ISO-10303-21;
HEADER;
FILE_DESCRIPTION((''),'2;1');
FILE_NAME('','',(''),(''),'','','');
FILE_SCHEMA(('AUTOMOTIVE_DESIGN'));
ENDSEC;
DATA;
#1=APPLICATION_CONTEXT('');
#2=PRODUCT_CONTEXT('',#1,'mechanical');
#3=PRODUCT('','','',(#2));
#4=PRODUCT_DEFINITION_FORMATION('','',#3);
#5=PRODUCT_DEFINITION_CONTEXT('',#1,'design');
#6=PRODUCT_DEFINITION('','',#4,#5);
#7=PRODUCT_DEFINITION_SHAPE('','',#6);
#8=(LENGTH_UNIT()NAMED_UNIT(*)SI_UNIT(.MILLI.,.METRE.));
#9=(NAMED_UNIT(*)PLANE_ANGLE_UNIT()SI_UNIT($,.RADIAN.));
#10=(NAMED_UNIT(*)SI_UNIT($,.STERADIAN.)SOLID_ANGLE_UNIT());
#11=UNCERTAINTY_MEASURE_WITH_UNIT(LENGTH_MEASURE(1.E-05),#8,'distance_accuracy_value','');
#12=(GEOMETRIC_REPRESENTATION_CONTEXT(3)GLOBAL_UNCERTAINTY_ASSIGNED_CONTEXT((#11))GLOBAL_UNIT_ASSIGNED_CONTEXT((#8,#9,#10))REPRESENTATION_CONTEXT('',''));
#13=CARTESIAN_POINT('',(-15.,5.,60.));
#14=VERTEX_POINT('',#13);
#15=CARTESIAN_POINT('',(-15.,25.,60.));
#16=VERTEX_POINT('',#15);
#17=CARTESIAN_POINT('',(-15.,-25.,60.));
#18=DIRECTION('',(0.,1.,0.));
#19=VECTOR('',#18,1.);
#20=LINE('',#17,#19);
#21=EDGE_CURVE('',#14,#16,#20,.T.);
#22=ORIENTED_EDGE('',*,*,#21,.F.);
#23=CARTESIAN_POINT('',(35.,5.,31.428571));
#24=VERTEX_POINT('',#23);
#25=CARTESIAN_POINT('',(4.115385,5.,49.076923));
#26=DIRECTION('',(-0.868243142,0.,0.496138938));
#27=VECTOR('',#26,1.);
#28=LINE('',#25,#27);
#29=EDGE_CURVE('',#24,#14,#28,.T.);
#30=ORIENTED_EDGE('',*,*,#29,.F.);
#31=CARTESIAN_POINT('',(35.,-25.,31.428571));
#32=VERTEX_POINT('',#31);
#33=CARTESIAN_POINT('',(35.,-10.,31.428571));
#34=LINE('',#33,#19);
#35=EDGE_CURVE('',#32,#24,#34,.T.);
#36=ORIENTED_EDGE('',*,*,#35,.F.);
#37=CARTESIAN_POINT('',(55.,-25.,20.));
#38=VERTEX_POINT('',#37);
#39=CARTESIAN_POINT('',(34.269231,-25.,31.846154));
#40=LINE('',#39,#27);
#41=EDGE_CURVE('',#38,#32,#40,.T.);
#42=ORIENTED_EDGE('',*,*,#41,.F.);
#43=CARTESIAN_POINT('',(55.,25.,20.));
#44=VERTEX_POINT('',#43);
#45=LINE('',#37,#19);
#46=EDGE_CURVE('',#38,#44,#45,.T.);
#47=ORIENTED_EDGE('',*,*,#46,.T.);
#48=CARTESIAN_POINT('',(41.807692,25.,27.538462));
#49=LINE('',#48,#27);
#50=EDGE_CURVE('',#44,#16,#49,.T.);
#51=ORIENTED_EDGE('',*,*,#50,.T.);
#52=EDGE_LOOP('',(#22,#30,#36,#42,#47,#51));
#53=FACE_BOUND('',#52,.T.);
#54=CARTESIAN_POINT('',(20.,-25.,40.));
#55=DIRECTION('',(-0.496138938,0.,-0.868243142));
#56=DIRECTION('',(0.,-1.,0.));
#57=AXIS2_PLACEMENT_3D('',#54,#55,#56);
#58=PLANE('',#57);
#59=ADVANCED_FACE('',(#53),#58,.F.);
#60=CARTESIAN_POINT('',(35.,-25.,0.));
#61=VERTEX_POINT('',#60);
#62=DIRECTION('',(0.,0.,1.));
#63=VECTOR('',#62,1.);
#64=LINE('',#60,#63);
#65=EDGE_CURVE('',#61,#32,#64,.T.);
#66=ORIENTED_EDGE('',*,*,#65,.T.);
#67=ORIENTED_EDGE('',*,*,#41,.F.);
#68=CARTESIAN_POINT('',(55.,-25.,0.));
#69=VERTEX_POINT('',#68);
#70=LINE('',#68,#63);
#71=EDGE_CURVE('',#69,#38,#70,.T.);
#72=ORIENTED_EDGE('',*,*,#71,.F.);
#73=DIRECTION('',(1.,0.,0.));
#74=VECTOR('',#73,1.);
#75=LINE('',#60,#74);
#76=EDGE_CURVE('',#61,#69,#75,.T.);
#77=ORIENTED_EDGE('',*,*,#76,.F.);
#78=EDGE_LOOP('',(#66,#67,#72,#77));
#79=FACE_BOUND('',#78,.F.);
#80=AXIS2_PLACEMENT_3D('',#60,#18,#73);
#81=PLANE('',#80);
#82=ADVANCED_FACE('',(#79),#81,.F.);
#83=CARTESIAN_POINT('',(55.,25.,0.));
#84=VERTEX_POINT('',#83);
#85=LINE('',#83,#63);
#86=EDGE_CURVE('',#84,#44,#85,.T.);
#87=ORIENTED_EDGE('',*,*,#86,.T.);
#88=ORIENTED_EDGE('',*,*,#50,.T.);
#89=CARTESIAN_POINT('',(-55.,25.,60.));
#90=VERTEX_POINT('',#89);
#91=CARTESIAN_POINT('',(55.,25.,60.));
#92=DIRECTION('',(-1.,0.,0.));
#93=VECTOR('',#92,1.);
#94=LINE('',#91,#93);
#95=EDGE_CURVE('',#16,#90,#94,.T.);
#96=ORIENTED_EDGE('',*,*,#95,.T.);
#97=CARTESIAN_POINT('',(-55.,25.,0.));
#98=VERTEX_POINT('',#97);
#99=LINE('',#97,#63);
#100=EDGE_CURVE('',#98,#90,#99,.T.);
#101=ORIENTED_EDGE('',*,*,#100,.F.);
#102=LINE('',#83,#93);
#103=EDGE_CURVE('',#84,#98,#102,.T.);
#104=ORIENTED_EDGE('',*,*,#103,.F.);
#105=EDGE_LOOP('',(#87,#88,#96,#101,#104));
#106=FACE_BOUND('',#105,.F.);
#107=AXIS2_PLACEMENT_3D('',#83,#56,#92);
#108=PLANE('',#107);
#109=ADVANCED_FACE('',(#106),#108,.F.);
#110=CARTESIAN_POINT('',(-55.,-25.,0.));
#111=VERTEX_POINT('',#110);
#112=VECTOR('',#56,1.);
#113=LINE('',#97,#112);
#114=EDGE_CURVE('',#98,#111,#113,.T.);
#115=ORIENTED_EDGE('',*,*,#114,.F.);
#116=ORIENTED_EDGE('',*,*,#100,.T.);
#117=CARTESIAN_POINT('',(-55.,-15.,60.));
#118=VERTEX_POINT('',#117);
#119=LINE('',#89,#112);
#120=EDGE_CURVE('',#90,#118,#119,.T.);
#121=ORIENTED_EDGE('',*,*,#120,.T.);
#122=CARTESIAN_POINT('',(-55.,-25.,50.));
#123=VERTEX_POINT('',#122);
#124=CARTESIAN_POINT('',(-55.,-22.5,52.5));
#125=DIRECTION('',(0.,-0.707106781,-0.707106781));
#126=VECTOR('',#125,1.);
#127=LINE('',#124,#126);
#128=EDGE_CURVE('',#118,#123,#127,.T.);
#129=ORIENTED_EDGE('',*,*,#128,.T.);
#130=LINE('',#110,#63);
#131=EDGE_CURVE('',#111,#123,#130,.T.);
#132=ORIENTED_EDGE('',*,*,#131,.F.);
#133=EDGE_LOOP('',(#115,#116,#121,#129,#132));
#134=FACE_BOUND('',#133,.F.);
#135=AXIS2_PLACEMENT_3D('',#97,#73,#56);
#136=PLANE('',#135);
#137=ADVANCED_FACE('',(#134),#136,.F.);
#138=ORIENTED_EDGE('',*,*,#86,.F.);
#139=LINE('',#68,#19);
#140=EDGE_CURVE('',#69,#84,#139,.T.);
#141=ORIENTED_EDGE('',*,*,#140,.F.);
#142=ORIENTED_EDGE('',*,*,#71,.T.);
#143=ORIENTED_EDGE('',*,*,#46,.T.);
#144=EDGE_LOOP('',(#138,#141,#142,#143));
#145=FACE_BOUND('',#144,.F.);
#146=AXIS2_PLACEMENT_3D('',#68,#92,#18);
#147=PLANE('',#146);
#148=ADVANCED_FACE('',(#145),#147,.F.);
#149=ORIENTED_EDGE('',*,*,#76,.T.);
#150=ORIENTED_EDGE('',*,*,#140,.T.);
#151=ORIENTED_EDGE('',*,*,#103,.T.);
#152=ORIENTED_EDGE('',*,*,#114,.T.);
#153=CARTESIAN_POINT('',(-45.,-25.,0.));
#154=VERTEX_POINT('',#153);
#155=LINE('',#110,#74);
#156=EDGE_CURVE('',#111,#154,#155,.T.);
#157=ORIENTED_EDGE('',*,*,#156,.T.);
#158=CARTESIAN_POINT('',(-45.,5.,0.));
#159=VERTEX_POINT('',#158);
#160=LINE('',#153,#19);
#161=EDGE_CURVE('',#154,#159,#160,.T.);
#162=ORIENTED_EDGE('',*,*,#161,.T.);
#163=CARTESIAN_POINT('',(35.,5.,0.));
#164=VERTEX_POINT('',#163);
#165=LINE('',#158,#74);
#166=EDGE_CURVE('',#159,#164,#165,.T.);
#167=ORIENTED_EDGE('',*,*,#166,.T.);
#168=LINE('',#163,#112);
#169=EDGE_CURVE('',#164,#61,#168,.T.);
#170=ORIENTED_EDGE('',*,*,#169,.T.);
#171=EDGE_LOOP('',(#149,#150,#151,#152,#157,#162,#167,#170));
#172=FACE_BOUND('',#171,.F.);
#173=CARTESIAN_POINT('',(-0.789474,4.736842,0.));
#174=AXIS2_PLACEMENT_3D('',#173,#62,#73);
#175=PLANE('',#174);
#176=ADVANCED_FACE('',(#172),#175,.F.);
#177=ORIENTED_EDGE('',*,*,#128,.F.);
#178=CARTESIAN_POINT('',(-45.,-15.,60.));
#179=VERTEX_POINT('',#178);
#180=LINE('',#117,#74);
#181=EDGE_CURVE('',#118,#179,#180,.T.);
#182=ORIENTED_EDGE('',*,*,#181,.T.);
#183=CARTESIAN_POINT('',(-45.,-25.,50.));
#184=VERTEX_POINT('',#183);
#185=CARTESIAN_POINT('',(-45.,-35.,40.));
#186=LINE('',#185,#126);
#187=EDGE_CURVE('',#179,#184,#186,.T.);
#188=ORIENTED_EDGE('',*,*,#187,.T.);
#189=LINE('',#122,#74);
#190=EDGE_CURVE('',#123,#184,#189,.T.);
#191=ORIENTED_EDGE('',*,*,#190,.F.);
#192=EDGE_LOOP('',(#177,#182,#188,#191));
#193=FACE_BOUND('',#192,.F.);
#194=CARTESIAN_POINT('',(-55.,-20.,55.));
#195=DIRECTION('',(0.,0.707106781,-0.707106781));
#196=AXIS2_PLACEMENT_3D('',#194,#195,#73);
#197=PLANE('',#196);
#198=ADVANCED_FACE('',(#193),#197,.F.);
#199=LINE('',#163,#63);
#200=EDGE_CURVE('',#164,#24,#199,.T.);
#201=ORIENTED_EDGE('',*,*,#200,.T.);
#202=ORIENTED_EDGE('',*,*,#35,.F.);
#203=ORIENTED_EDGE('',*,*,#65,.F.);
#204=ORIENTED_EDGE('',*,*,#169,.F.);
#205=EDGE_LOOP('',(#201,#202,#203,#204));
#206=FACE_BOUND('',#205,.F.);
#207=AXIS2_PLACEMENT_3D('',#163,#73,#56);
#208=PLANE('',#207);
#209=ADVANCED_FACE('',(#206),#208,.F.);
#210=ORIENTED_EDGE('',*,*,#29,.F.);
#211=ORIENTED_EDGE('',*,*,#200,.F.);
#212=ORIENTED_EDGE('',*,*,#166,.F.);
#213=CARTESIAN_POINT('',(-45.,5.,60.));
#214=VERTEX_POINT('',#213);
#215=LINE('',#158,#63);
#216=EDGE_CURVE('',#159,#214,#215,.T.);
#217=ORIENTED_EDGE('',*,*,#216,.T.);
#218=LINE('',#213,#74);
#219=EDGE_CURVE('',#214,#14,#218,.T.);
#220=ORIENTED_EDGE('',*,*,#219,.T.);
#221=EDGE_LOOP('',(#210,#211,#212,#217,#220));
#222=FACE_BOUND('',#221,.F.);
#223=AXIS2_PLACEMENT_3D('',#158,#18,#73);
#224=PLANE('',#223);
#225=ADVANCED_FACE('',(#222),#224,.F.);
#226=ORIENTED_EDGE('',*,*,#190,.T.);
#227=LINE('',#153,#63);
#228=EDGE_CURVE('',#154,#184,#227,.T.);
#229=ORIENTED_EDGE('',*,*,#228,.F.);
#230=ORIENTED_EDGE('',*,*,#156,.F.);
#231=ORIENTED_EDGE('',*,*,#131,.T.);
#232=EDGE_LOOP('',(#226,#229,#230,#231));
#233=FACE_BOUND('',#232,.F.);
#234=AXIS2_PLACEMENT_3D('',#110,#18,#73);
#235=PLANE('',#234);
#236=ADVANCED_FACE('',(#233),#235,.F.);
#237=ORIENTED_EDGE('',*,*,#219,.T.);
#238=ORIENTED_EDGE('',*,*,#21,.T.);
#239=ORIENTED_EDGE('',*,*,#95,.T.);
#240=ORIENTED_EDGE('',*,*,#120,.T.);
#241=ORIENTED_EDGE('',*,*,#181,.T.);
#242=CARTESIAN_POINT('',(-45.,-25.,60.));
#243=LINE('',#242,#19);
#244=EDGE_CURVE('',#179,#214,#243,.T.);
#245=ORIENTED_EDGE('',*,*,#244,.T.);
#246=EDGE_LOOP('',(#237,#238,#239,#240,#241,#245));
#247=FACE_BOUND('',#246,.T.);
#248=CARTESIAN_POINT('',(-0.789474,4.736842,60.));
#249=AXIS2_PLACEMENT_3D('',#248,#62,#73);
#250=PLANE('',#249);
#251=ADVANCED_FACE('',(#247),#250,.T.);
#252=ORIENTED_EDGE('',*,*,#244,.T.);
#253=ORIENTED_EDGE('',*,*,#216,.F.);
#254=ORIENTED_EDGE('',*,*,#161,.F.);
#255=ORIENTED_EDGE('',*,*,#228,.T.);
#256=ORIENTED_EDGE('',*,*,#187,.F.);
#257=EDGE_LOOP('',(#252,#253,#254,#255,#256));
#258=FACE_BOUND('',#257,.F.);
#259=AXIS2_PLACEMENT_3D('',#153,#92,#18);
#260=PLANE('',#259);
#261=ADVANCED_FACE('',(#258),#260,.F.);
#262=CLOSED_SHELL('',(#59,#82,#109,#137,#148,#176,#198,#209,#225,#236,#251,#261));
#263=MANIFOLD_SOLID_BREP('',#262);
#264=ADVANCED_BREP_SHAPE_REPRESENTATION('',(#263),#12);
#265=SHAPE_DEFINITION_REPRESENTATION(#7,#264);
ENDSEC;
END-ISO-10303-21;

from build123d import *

# Parameters (mm, degrees)
F1_DEPTH = 60
F2_SIZE2 = 70
F2_SIZE  = 40
F3_SIZE  = 10


with BuildPart() as f1:
    # F0 (on Top) → F1 (new body)
    with BuildSketch(Plane.XY):
        Polygon((55, -25), (55, 25), (-55, 25), (-55, -25), (-45, -25), (-45, 5), (35, 5), (35, -25), align=None)
    extrude(amount=F1_DEPTH)

    # F2
    f2_edges = [f1.edges().sort_by_distance(p)[0] for p in [
        (55, 0, 60),
    ]]
    chamfer(f2_edges, length=F2_SIZE, length2=F2_SIZE2)

    # F3
    f3_edges = [f1.edges().sort_by_distance(p)[0] for p in [
        (-50, -25, 60),
    ]]
    chamfer(f3_edges, length=F3_SIZE)


solid = f1.part
